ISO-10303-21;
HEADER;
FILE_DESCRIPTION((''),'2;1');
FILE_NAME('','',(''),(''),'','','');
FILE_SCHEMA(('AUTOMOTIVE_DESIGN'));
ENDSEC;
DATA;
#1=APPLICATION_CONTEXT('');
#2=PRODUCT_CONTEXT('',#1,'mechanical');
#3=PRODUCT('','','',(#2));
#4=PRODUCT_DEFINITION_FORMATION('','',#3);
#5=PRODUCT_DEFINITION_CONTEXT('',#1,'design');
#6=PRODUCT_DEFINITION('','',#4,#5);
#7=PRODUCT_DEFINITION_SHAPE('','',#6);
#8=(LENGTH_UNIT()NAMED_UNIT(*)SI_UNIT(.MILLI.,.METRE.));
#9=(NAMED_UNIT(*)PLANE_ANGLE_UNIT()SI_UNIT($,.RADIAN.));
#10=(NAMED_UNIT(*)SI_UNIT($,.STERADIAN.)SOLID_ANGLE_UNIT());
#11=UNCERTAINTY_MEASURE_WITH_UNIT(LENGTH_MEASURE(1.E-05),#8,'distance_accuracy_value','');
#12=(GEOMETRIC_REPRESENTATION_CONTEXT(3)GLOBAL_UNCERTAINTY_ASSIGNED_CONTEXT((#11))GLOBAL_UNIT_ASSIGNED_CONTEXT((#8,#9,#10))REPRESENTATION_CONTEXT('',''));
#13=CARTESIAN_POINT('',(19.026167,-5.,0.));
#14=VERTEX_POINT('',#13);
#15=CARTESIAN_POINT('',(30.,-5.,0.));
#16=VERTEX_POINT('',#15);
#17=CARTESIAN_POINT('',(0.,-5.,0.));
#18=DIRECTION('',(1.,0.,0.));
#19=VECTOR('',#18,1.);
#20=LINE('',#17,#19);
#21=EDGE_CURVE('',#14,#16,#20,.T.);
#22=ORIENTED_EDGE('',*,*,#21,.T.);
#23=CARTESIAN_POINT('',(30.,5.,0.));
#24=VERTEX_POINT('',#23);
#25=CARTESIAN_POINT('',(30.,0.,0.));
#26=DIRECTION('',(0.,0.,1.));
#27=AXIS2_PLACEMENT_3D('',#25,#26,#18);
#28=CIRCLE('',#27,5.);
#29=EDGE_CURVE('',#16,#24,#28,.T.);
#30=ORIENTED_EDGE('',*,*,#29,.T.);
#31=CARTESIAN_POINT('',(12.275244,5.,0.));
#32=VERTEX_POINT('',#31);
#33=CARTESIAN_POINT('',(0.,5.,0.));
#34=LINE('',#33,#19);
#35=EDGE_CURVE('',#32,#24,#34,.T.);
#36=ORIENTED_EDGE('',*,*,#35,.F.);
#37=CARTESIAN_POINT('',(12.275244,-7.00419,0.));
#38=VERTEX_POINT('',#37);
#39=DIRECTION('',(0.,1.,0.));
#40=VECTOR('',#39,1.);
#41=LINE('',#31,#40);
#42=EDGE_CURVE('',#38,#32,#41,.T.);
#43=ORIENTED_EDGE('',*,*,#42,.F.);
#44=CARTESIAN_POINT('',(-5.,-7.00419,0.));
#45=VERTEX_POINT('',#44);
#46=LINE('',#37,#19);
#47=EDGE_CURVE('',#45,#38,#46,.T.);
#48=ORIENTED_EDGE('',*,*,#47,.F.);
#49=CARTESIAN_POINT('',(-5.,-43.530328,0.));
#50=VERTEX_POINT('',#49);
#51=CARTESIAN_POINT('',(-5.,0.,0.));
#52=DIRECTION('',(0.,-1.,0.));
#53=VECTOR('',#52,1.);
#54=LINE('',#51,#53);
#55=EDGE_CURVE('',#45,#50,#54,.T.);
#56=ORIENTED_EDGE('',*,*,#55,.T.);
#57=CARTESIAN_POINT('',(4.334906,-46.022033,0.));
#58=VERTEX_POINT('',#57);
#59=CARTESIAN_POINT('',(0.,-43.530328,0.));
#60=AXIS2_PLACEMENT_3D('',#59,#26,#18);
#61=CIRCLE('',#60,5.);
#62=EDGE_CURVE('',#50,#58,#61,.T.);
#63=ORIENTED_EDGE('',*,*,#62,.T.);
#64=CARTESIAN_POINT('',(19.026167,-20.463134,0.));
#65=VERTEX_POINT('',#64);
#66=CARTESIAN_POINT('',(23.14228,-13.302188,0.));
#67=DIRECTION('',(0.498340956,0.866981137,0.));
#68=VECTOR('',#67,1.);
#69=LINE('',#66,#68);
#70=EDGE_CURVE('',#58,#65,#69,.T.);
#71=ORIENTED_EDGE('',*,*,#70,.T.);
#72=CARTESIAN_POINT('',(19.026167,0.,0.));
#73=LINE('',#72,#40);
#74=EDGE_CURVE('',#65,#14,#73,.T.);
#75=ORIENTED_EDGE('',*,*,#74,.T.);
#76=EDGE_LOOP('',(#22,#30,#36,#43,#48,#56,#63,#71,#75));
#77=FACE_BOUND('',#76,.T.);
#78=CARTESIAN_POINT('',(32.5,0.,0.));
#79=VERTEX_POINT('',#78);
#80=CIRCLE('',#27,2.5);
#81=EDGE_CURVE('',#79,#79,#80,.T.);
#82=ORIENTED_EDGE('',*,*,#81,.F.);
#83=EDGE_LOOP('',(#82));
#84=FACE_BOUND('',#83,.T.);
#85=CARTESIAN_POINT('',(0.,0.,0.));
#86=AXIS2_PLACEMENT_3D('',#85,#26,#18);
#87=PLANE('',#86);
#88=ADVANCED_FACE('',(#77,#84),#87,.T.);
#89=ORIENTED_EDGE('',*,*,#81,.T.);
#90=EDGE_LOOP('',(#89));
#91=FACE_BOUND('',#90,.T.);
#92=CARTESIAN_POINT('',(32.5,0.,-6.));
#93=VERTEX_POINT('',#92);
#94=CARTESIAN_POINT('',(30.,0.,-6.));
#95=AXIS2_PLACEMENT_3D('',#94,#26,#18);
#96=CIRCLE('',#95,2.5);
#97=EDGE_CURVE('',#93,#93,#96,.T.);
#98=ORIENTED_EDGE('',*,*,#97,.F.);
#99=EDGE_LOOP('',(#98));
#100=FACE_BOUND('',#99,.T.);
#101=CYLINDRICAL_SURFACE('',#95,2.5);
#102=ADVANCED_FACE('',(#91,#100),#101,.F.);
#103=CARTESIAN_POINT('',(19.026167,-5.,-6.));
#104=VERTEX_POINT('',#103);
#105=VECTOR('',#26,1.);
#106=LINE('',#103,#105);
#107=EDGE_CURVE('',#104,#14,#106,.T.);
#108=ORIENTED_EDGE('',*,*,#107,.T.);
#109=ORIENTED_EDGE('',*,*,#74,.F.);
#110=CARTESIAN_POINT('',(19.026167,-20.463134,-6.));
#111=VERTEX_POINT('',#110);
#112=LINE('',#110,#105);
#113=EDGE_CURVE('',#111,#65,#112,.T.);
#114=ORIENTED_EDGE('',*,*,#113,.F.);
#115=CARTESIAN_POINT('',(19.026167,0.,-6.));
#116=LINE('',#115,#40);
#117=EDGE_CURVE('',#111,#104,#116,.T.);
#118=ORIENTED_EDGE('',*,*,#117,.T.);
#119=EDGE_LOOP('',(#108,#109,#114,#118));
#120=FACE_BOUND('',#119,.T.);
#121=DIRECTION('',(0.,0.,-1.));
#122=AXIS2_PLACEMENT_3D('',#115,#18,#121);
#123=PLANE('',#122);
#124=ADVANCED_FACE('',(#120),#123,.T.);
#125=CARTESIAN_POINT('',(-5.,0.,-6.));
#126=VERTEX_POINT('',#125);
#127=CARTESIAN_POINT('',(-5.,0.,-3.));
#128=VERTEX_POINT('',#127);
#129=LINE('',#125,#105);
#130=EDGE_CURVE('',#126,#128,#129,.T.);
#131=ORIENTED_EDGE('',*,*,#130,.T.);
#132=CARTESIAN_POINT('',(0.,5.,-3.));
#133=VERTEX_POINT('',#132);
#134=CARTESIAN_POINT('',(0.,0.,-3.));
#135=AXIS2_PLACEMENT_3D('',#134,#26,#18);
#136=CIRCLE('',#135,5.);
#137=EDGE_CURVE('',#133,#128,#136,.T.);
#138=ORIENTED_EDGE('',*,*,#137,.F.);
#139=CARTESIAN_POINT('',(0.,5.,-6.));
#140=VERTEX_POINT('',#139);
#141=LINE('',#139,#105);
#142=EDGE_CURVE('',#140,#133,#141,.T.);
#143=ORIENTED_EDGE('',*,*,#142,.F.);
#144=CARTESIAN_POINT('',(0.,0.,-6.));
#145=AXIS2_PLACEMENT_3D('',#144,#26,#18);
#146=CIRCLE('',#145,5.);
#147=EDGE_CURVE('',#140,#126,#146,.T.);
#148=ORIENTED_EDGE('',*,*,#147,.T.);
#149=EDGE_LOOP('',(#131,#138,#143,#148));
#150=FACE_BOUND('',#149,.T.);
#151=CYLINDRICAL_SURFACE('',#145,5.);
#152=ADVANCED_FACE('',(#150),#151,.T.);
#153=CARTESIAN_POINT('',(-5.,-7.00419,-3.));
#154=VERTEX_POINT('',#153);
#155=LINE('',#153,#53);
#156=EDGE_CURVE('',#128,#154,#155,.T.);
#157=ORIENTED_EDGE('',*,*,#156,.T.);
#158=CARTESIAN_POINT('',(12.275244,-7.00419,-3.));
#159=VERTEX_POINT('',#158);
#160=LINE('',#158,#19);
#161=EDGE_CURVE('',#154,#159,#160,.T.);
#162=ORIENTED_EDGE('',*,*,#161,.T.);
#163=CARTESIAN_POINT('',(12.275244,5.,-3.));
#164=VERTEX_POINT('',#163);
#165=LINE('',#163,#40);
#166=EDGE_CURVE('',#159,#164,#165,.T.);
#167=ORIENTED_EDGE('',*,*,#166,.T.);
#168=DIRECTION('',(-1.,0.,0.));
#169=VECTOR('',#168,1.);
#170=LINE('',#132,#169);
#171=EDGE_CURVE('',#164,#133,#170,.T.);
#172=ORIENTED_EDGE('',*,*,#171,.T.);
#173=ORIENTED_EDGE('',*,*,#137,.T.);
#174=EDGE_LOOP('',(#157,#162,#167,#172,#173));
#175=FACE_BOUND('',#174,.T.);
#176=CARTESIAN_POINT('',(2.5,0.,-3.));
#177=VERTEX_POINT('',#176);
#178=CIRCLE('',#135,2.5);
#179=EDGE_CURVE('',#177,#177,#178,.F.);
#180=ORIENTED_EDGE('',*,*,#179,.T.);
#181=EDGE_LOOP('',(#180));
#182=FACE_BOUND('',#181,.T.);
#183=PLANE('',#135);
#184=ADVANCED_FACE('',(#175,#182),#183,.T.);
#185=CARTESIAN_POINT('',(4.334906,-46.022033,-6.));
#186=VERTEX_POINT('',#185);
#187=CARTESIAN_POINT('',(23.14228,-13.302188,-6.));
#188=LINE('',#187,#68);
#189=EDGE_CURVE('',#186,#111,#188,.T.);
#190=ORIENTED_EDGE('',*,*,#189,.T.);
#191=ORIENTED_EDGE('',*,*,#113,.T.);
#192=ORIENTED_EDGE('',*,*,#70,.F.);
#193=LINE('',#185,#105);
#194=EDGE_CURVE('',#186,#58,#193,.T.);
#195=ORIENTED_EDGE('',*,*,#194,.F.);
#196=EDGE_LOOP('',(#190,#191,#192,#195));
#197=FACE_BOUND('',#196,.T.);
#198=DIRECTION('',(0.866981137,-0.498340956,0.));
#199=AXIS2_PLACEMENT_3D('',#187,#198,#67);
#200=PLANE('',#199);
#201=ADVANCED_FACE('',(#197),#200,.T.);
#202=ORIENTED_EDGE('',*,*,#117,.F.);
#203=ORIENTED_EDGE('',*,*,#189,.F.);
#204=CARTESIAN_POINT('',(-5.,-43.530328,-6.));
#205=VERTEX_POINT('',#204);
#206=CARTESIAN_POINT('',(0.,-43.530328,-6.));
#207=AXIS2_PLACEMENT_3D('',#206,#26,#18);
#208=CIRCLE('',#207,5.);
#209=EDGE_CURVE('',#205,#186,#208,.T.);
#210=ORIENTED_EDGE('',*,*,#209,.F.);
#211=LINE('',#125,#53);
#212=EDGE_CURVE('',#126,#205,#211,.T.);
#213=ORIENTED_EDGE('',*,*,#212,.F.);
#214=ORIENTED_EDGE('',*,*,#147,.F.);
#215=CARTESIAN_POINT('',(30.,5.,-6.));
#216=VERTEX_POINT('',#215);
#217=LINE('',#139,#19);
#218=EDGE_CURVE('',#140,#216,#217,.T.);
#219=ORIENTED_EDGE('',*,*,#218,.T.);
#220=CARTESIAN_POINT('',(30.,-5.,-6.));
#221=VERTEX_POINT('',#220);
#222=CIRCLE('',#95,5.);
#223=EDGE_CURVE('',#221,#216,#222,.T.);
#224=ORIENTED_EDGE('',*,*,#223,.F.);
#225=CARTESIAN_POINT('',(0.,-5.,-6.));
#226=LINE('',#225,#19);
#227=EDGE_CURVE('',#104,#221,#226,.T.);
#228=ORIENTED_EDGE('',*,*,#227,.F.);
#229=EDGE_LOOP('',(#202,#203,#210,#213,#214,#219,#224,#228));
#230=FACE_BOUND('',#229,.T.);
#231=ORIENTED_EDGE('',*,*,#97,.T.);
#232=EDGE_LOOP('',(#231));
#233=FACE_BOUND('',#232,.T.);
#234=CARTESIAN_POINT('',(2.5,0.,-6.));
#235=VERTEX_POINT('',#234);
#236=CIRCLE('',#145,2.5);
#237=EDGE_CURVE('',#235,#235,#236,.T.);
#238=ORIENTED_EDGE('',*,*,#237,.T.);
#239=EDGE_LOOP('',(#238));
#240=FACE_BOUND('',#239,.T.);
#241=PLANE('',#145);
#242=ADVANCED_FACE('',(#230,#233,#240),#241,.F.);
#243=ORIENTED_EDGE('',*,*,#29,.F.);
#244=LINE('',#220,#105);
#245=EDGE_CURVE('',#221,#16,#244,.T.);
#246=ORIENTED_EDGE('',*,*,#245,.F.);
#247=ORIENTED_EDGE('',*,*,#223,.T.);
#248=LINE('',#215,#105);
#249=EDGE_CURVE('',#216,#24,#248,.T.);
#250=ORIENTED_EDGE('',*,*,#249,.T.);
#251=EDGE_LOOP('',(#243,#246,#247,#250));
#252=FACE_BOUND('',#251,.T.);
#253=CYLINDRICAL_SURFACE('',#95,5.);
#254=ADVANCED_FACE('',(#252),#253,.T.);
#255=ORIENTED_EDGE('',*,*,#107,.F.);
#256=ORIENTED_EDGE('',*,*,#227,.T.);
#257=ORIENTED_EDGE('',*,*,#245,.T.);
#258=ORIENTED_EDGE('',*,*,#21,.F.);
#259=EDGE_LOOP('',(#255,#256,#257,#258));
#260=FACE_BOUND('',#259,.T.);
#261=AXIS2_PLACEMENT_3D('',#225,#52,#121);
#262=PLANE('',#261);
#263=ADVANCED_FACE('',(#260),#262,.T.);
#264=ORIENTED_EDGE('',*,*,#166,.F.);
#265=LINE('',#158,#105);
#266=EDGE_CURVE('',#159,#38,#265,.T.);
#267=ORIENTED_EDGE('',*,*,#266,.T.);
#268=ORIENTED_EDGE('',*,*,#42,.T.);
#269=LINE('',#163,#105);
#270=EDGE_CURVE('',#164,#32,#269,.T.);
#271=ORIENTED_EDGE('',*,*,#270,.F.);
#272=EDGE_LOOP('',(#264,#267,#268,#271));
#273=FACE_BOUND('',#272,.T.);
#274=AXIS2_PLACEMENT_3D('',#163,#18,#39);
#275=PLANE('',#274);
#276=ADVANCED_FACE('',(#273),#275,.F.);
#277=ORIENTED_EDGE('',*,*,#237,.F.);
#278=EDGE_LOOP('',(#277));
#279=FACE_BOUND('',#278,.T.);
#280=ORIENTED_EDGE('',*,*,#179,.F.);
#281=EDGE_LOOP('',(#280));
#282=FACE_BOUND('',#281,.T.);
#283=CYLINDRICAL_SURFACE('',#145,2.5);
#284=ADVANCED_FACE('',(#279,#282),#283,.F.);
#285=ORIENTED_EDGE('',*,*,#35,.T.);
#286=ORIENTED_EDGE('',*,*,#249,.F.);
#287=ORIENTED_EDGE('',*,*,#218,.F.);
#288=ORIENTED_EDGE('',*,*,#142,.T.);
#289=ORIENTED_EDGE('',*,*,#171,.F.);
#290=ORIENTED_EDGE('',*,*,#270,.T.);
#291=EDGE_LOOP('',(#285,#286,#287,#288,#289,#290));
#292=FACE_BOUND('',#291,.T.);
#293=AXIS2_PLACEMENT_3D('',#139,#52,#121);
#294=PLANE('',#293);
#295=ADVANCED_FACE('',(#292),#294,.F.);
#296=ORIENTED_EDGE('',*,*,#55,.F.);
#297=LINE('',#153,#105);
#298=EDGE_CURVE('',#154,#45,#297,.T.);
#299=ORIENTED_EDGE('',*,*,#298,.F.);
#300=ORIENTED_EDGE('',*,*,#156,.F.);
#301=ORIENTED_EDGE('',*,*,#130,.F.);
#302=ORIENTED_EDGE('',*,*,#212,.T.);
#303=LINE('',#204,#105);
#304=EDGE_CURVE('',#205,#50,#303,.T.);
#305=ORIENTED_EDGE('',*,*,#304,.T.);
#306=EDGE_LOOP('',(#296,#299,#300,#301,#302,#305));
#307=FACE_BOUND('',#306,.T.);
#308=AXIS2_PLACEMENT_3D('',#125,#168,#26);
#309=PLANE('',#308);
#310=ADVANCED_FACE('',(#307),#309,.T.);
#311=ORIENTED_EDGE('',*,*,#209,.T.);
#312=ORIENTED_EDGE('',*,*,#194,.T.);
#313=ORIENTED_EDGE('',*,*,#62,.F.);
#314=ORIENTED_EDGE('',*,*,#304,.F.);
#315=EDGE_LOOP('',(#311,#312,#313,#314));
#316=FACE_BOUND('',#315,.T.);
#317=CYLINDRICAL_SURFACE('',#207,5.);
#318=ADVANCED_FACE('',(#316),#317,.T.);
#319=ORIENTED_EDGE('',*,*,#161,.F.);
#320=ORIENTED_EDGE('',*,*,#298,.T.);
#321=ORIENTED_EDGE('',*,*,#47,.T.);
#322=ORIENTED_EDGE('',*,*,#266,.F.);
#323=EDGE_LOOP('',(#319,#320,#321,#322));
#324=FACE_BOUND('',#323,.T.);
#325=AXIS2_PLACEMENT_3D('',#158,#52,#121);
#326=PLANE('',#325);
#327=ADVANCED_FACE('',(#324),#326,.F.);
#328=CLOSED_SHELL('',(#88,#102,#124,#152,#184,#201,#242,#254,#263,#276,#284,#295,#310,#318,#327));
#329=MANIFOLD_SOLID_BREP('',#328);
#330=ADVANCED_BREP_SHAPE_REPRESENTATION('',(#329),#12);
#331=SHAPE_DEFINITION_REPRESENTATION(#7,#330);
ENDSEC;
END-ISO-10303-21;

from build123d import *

# Parameters (mm, degrees)
SKETCH1_R           = 2.5
BOSS_EXTRUDE1_DEPTH = 6
CUT_EXTRUDE2_DEPTH  = 3


with BuildPart() as part:
    # Sketch1 → Boss-Extrude1 (new body)
    with BuildSketch(Plane.XY):
        with BuildLine():
            Line((30, 5), (0, 5))
            ThreePointArc((0, 5), (-3.535533906, 3.535533906), (-5, 0))
            Line((-5, 0), (-5, -43.530327794))
            ThreePointArc((-5, -43.530327794), (-1.289471128, -48.361193576), (4.334905684, -46.022032574))
            Line((4.334905684, -46.022032574), (19.026166695, -20.463133553))
            Line((19.026166695, -20.463133553), (19.026166695, -5))
            Line((19.026166695, -5), (30, -5))
            ThreePointArc((30, -5), (35, 0), (30, 5))
        make_face()
        Circle(SKETCH1_R, mode=Mode.SUBTRACT)
        with Locations((30, 0)):
            Circle(SKETCH1_R, mode=Mode.SUBTRACT)
    extrude(amount=-BOSS_EXTRUDE1_DEPTH)

    # Sketch3 → Cut-Extrude2 (cut)
    with BuildSketch(Plane.XY):
        with BuildLine():
            Line((12.275244192, 5), (12.275244192, -7.004190344))
            Line((12.275244192, -7.004190344), (-5, -7.004190344))
            Line((-5, -7.004190344), (-5, 0))
            ThreePointArc((-5, 0), (-3.535533906, 3.535533906), (0, 5))
            Line((0, 5), (12.275244192, 5))
        make_face()
    extrude(amount=-CUT_EXTRUDE2_DEPTH, mode=Mode.SUBTRACT)


solid = part.part
